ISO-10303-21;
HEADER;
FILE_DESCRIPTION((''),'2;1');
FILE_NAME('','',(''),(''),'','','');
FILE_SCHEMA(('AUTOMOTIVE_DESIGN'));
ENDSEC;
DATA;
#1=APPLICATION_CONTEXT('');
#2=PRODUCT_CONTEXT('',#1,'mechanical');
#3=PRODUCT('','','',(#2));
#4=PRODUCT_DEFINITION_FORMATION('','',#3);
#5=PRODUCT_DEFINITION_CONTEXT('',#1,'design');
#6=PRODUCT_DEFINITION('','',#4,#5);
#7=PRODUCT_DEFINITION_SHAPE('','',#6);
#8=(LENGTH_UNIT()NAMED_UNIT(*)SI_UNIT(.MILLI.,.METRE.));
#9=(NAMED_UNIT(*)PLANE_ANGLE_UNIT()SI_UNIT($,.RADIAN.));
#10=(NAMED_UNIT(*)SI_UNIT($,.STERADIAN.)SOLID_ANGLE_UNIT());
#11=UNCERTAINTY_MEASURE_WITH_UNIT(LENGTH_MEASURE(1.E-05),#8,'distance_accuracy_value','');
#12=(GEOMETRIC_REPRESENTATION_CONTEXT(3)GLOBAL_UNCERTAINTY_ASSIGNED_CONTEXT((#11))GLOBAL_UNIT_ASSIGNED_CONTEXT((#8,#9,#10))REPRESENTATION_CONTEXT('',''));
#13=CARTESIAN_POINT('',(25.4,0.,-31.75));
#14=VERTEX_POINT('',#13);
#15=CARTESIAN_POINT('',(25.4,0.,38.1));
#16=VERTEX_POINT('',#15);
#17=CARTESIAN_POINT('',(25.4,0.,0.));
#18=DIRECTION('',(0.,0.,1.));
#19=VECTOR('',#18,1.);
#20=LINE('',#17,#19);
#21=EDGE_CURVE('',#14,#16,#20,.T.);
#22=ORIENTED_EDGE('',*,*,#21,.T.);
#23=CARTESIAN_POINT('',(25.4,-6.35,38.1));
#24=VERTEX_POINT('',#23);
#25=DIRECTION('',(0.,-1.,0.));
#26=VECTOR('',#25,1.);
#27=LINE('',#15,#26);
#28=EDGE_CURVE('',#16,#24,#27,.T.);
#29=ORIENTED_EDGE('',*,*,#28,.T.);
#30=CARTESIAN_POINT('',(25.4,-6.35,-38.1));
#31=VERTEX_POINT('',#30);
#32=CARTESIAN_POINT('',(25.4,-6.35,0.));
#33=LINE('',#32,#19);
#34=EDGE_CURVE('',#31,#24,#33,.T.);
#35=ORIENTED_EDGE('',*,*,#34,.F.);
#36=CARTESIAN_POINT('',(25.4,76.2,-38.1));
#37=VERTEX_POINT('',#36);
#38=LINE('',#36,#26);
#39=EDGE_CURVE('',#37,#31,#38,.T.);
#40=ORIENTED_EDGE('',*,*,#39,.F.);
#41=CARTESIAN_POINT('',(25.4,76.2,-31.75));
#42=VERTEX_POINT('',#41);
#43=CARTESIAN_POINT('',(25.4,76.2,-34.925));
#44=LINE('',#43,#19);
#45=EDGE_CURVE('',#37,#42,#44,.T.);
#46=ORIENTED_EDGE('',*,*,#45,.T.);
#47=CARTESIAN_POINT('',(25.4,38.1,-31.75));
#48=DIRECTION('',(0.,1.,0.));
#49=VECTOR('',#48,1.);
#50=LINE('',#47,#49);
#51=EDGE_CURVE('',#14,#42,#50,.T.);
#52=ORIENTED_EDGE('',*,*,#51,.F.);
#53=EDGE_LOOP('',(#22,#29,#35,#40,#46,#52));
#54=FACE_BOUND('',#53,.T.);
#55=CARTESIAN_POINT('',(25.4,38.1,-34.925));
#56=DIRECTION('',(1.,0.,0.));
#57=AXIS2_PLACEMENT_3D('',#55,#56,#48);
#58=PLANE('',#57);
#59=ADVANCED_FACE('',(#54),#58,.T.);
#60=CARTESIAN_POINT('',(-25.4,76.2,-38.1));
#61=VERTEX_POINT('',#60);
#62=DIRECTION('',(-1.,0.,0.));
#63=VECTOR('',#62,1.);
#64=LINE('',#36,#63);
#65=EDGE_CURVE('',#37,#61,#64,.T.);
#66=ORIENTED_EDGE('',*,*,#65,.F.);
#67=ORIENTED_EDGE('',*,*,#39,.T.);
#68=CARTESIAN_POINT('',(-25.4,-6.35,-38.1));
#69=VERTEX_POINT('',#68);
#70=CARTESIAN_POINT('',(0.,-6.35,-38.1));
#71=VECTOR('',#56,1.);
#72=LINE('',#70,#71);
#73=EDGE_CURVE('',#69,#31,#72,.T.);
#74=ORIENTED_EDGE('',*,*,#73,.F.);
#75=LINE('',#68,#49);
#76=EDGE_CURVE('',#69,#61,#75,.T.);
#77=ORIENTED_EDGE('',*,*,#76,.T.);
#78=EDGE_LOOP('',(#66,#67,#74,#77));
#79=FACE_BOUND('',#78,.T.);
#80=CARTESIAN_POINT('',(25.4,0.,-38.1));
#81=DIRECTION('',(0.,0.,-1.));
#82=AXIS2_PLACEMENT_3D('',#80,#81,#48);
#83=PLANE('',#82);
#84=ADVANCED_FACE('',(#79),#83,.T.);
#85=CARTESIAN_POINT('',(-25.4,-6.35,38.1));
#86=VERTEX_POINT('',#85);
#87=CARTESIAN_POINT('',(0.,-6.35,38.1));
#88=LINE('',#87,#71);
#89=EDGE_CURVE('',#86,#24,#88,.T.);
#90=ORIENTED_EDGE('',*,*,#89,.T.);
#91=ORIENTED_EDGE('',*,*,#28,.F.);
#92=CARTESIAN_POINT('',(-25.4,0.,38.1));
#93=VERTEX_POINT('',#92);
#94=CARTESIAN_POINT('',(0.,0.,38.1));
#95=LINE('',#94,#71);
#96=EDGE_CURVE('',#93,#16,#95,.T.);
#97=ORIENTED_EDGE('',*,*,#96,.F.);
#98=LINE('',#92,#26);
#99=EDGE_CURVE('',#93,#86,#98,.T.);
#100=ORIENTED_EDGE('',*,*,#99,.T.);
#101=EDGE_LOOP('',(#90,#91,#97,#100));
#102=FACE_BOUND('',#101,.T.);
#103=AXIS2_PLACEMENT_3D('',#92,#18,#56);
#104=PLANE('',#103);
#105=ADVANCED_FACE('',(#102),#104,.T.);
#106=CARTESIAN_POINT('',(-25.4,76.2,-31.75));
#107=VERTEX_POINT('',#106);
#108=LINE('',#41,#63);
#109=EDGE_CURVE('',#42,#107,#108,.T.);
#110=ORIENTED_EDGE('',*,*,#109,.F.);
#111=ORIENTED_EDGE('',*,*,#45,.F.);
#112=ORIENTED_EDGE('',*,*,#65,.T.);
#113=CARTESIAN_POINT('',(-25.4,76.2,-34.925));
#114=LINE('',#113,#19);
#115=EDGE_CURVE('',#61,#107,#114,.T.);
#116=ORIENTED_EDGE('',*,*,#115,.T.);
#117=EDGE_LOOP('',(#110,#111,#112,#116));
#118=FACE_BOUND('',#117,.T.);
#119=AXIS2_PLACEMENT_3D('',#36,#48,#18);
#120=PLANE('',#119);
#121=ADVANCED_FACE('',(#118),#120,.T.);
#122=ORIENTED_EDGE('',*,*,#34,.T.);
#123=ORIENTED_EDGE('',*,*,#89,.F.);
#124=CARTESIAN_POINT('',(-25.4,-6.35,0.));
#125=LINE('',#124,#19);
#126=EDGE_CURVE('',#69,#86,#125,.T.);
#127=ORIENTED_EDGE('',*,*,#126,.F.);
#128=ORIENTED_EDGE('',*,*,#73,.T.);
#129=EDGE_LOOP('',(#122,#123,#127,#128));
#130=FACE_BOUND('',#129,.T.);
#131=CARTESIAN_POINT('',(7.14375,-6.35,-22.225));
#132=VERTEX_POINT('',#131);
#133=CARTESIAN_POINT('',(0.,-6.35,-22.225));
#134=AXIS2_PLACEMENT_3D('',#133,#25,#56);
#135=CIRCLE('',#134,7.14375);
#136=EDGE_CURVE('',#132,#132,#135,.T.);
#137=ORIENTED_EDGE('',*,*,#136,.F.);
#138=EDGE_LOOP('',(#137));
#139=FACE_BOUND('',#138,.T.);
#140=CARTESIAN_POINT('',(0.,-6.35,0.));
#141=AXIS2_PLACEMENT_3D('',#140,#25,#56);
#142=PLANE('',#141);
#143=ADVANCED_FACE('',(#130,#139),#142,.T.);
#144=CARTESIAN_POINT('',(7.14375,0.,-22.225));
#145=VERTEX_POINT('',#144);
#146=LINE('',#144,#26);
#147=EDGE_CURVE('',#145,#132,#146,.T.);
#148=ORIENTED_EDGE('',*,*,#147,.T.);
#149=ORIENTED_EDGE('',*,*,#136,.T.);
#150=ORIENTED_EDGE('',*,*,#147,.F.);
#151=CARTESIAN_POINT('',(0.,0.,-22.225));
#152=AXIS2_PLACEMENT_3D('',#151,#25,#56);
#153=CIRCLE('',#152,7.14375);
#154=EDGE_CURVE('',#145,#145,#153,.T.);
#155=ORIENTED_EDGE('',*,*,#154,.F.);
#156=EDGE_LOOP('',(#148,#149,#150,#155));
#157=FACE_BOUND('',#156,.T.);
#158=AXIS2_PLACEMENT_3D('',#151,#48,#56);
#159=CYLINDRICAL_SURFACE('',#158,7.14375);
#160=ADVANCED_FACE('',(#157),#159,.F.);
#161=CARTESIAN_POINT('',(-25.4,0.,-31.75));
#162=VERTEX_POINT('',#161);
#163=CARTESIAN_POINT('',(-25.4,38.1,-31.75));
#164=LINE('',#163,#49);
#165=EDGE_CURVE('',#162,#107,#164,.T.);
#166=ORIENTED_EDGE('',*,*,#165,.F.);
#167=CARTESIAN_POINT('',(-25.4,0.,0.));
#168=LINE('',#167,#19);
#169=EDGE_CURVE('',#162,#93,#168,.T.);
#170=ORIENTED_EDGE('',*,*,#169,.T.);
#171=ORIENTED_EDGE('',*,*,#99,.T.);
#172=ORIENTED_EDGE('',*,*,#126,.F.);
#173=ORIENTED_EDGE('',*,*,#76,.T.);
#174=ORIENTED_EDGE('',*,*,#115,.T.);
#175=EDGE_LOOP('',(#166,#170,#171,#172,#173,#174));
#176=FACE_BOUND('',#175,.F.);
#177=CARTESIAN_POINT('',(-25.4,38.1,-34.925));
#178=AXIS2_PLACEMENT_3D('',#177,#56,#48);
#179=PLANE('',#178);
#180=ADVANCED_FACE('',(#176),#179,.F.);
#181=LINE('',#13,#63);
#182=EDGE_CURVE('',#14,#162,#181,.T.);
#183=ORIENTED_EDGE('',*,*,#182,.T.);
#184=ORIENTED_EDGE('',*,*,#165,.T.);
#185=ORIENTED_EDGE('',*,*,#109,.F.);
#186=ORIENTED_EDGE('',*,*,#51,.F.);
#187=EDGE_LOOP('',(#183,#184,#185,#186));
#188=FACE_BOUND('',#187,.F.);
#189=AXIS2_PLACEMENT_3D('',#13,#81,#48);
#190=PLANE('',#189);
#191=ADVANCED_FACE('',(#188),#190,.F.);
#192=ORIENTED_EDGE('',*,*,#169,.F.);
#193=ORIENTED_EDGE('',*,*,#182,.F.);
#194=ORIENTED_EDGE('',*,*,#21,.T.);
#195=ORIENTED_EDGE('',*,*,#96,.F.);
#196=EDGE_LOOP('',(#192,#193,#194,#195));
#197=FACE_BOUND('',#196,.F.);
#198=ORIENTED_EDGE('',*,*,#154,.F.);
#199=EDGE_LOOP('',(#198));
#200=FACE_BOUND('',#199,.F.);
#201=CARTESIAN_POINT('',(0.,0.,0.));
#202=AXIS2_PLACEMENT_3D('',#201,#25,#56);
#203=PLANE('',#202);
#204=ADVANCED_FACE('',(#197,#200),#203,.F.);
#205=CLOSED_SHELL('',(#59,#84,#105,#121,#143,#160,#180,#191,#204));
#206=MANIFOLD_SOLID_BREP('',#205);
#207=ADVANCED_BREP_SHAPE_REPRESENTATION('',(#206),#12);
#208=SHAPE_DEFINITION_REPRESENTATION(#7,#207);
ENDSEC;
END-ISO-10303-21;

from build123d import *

# Parameters (mm, degrees)
F0_W     = 50.8
F0_H     = 76.2
F0_R     = 7.14375
F1_DEPTH = 6.35
F2_W     = 76.2
F2_H     = 6.35
F3_DEPTH = 50.8


with BuildPart() as f1:
    # F0 (on Front) → F1 (new body)
    with BuildSketch(Plane.XZ):
        Rectangle(F0_W, F0_H)
        with Locations((0, -22.225)):
            Circle(F0_R, mode=Mode.SUBTRACT)
    extrude(amount=F1_DEPTH)

    # F2 (on face) → F3 (join)
    with BuildSketch(Plane.YZ.offset(25.4)):
        with Locations((38.1, -34.925)):
            Rectangle(F2_W, F2_H)
    extrude(amount=-F3_DEPTH)


solid = f1.part
